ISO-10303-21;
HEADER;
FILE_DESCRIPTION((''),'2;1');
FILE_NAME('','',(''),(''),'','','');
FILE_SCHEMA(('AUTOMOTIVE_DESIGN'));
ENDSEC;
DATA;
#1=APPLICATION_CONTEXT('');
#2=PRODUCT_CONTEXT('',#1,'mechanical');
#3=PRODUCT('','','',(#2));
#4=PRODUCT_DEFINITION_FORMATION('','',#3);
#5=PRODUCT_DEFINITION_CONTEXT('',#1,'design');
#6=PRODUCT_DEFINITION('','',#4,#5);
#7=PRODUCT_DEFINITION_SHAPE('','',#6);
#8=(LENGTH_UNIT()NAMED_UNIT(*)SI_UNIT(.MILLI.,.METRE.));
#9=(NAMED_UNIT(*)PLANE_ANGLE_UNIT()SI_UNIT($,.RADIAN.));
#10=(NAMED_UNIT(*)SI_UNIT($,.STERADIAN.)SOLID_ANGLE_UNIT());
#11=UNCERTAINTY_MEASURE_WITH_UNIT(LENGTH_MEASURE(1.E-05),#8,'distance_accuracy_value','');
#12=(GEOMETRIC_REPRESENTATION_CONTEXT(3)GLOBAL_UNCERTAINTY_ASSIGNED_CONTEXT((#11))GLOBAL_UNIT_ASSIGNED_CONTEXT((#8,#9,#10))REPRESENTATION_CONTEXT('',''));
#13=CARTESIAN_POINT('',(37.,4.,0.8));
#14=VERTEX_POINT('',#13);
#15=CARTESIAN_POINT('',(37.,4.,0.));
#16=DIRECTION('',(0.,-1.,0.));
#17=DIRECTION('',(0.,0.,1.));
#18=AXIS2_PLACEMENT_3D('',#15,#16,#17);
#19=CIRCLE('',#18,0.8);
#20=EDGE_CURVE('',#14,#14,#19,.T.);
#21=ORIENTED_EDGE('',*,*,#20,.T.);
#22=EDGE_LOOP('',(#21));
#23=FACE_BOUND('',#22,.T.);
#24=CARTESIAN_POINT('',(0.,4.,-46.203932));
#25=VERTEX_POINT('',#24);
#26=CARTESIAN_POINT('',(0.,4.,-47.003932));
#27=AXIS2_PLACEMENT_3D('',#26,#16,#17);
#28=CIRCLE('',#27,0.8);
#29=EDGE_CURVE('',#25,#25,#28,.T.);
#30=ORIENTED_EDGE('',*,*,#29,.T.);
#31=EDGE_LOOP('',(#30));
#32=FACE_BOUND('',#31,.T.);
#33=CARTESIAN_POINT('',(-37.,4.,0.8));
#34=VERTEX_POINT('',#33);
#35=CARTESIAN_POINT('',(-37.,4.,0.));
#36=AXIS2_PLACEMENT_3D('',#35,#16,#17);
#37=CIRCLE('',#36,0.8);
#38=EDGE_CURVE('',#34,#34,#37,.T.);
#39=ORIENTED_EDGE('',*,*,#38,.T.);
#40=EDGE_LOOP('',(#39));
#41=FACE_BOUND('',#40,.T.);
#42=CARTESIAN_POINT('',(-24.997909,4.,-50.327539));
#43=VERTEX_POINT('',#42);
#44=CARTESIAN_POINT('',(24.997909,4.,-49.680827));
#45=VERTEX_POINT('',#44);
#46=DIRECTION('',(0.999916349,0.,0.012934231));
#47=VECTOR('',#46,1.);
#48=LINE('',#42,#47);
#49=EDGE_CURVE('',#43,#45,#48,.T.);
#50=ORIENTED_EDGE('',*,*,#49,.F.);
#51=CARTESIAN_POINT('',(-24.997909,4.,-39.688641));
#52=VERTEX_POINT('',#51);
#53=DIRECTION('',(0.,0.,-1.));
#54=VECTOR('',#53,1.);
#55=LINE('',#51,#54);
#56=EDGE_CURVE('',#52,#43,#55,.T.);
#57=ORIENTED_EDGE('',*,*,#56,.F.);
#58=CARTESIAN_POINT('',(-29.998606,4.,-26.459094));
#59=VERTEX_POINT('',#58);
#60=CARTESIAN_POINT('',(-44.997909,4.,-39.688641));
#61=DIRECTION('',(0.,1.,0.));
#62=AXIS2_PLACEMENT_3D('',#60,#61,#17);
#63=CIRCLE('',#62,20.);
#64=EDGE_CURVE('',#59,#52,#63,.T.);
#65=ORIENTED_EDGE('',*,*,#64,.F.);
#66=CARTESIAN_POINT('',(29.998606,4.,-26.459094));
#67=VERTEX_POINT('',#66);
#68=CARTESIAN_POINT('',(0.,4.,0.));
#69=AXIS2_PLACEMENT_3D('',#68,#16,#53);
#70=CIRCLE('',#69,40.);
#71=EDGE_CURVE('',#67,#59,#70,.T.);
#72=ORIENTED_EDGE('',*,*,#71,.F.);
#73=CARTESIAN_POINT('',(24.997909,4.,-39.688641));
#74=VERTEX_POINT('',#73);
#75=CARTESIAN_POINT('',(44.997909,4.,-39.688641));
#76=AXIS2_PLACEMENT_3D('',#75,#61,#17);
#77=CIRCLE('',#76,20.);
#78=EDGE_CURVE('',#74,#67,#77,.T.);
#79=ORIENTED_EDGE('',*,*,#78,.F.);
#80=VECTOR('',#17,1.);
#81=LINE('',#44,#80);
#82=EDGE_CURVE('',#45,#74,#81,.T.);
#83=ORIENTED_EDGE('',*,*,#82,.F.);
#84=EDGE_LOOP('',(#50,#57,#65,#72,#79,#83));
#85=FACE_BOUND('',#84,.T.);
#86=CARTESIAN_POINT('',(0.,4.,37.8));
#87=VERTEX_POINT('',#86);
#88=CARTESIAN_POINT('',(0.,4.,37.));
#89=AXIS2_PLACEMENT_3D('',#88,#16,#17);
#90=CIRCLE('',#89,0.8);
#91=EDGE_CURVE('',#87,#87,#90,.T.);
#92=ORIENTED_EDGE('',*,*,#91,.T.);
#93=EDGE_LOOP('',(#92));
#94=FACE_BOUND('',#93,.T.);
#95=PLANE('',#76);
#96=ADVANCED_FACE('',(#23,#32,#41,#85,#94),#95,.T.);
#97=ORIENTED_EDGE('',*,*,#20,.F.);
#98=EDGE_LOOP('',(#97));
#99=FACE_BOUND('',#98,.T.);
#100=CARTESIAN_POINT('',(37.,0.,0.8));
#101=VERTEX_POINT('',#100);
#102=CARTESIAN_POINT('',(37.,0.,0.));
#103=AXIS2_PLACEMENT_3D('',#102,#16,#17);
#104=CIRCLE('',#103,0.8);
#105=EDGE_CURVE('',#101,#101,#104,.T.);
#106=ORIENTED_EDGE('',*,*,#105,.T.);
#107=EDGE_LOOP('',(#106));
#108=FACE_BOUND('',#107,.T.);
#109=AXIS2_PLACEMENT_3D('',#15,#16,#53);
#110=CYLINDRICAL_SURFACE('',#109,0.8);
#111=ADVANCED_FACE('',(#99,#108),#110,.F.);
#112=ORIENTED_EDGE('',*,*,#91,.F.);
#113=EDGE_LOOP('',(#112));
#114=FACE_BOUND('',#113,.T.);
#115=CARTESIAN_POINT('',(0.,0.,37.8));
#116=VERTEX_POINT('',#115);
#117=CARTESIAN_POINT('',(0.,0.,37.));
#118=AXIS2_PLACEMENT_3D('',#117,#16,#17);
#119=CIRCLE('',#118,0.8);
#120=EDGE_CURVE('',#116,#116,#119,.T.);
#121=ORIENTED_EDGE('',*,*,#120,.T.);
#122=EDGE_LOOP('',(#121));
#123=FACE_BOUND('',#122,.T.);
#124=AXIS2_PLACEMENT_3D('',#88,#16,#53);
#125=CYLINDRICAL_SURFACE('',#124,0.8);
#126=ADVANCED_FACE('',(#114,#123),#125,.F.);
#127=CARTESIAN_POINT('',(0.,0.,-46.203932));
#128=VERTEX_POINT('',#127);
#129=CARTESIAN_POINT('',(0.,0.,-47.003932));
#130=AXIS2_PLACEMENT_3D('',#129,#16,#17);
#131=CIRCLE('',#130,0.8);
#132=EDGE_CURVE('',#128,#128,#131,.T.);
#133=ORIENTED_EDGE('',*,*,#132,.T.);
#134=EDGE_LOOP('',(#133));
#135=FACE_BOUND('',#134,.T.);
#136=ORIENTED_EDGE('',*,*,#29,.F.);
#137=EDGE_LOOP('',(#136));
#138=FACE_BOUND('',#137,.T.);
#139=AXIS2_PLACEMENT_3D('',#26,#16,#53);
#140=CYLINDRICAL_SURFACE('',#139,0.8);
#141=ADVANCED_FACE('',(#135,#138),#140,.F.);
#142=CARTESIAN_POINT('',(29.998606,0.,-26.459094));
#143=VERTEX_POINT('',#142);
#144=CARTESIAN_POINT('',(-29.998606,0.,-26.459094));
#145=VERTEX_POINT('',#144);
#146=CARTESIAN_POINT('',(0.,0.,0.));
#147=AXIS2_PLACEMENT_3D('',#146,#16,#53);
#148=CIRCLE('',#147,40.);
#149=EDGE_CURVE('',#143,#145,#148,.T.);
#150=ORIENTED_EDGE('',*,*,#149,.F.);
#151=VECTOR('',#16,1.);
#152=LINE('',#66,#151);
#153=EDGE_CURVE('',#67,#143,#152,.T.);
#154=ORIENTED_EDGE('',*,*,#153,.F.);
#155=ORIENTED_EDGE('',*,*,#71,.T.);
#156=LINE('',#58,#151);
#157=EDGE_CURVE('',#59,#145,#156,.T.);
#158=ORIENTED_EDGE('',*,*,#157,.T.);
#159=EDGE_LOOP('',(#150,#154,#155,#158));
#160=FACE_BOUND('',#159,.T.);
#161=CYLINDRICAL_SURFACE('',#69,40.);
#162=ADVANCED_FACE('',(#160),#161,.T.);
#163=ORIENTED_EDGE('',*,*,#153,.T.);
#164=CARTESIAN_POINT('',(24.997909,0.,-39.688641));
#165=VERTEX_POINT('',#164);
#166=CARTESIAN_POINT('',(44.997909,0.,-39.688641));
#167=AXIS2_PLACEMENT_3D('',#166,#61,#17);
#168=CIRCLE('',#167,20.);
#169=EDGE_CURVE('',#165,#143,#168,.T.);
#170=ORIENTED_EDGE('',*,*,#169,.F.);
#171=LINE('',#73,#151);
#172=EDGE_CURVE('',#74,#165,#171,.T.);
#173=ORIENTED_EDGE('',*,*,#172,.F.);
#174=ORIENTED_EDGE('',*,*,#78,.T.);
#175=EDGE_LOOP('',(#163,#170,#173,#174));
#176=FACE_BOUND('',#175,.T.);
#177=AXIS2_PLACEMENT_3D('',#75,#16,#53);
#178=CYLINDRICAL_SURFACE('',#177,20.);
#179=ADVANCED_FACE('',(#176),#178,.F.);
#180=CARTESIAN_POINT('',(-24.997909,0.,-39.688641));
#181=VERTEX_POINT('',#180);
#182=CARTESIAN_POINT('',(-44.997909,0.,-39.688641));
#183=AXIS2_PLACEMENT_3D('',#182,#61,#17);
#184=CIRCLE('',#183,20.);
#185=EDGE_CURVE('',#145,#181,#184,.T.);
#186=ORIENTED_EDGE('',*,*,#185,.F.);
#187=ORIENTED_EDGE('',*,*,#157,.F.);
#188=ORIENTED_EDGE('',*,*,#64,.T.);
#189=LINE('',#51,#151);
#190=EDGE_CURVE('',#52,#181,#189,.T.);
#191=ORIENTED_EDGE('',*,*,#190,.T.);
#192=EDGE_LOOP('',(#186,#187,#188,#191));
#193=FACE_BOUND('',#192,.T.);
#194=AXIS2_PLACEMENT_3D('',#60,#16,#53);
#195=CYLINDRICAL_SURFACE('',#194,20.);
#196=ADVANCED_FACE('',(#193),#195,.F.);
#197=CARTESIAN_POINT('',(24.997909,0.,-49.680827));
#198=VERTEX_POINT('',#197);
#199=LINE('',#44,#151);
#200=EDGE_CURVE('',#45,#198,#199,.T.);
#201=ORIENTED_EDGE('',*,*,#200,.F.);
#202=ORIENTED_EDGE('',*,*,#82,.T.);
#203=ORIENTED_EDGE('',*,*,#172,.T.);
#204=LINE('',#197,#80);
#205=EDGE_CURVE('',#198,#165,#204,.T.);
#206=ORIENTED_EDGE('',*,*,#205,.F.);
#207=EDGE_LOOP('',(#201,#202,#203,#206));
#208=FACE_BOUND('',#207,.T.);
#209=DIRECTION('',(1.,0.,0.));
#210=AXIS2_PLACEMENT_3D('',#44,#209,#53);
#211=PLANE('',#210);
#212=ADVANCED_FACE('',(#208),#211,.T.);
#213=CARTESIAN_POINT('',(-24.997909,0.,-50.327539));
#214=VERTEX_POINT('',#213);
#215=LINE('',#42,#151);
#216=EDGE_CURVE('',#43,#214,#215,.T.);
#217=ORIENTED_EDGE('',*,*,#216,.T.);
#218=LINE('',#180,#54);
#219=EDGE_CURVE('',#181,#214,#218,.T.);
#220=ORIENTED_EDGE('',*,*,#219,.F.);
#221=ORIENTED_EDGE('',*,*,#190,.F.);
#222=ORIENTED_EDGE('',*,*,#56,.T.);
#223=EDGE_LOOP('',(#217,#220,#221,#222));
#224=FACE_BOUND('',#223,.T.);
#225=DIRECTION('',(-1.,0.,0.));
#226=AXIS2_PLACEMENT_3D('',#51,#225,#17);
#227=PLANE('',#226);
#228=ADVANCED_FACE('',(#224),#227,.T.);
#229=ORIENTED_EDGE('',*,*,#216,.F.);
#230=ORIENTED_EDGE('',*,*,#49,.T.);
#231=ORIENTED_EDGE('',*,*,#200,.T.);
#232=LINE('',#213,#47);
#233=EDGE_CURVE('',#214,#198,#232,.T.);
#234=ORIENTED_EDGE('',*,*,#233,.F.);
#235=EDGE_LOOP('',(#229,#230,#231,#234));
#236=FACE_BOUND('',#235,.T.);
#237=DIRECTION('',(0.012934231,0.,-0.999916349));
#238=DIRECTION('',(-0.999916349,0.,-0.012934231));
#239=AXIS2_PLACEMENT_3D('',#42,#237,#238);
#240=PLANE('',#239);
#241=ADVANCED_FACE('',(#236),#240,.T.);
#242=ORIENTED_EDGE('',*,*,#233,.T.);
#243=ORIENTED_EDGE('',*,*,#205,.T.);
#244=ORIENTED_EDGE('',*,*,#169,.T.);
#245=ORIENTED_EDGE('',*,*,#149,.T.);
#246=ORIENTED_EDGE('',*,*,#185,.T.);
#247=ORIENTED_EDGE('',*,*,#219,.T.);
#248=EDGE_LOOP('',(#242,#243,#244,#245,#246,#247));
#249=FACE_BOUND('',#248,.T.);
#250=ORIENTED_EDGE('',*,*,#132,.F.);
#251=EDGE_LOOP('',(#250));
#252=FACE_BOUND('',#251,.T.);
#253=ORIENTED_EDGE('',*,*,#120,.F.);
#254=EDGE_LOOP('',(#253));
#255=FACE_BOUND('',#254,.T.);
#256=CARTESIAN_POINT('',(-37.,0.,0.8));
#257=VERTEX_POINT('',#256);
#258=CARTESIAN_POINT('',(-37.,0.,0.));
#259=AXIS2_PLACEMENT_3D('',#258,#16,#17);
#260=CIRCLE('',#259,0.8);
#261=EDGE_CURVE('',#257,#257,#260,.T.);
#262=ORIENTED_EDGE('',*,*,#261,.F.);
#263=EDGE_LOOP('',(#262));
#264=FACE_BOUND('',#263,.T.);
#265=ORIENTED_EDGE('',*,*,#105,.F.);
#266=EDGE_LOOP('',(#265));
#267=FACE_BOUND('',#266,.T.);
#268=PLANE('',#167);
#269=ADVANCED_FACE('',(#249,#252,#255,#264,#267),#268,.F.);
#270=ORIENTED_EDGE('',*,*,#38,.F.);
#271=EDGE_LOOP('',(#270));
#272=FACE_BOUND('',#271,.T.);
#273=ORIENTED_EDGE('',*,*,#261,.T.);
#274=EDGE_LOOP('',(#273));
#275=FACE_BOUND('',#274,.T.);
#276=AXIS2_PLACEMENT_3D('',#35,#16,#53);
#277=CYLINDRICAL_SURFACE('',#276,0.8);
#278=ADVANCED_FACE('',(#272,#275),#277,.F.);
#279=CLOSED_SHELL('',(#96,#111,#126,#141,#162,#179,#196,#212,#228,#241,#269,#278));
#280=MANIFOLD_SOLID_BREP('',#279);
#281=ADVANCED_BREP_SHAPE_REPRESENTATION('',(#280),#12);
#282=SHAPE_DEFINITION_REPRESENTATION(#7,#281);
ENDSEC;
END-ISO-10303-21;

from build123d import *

# Parameters (mm, degrees)
SKETCH_1_R      = 0.8
EXTRUDE_1_DEPTH = 4


with BuildPart() as part:
    # 스케치1 → 보스-돌출1 (new body)
    with BuildSketch(Plane.XZ):
        with BuildLine():
            Line((-24.997908733, -39.688640814), (-24.997908733, -50.327538671))
            Line((-24.997908733, -50.327538671), (24.997908733, -49.680827096))
            Line((24.997908733, -49.680827096), (24.997908733, -39.688640814))
            ThreePointArc((24.997908733, -39.688640814), (26.289808105, -32.617080103), (29.998605822, -26.459093876))
            ThreePointArc((29.998605822, -26.459093876), (0, 40), (-29.998605822, -26.459093876))
            ThreePointArc((-29.998605822, -26.459093876), (-26.289808105, -32.617080103), (-24.997908733, -39.688640814))
        make_face()
        with Locations((37, 0)):
            Circle(SKETCH_1_R, mode=Mode.SUBTRACT)
        with Locations((0, 37)):
            Circle(SKETCH_1_R, mode=Mode.SUBTRACT)
        with Locations((-37, 0)):
            Circle(SKETCH_1_R, mode=Mode.SUBTRACT)
        with Locations((0, -47.00393191)):
            Circle(SKETCH_1_R, mode=Mode.SUBTRACT)
    extrude(amount=-EXTRUDE_1_DEPTH)


solid = part.part
